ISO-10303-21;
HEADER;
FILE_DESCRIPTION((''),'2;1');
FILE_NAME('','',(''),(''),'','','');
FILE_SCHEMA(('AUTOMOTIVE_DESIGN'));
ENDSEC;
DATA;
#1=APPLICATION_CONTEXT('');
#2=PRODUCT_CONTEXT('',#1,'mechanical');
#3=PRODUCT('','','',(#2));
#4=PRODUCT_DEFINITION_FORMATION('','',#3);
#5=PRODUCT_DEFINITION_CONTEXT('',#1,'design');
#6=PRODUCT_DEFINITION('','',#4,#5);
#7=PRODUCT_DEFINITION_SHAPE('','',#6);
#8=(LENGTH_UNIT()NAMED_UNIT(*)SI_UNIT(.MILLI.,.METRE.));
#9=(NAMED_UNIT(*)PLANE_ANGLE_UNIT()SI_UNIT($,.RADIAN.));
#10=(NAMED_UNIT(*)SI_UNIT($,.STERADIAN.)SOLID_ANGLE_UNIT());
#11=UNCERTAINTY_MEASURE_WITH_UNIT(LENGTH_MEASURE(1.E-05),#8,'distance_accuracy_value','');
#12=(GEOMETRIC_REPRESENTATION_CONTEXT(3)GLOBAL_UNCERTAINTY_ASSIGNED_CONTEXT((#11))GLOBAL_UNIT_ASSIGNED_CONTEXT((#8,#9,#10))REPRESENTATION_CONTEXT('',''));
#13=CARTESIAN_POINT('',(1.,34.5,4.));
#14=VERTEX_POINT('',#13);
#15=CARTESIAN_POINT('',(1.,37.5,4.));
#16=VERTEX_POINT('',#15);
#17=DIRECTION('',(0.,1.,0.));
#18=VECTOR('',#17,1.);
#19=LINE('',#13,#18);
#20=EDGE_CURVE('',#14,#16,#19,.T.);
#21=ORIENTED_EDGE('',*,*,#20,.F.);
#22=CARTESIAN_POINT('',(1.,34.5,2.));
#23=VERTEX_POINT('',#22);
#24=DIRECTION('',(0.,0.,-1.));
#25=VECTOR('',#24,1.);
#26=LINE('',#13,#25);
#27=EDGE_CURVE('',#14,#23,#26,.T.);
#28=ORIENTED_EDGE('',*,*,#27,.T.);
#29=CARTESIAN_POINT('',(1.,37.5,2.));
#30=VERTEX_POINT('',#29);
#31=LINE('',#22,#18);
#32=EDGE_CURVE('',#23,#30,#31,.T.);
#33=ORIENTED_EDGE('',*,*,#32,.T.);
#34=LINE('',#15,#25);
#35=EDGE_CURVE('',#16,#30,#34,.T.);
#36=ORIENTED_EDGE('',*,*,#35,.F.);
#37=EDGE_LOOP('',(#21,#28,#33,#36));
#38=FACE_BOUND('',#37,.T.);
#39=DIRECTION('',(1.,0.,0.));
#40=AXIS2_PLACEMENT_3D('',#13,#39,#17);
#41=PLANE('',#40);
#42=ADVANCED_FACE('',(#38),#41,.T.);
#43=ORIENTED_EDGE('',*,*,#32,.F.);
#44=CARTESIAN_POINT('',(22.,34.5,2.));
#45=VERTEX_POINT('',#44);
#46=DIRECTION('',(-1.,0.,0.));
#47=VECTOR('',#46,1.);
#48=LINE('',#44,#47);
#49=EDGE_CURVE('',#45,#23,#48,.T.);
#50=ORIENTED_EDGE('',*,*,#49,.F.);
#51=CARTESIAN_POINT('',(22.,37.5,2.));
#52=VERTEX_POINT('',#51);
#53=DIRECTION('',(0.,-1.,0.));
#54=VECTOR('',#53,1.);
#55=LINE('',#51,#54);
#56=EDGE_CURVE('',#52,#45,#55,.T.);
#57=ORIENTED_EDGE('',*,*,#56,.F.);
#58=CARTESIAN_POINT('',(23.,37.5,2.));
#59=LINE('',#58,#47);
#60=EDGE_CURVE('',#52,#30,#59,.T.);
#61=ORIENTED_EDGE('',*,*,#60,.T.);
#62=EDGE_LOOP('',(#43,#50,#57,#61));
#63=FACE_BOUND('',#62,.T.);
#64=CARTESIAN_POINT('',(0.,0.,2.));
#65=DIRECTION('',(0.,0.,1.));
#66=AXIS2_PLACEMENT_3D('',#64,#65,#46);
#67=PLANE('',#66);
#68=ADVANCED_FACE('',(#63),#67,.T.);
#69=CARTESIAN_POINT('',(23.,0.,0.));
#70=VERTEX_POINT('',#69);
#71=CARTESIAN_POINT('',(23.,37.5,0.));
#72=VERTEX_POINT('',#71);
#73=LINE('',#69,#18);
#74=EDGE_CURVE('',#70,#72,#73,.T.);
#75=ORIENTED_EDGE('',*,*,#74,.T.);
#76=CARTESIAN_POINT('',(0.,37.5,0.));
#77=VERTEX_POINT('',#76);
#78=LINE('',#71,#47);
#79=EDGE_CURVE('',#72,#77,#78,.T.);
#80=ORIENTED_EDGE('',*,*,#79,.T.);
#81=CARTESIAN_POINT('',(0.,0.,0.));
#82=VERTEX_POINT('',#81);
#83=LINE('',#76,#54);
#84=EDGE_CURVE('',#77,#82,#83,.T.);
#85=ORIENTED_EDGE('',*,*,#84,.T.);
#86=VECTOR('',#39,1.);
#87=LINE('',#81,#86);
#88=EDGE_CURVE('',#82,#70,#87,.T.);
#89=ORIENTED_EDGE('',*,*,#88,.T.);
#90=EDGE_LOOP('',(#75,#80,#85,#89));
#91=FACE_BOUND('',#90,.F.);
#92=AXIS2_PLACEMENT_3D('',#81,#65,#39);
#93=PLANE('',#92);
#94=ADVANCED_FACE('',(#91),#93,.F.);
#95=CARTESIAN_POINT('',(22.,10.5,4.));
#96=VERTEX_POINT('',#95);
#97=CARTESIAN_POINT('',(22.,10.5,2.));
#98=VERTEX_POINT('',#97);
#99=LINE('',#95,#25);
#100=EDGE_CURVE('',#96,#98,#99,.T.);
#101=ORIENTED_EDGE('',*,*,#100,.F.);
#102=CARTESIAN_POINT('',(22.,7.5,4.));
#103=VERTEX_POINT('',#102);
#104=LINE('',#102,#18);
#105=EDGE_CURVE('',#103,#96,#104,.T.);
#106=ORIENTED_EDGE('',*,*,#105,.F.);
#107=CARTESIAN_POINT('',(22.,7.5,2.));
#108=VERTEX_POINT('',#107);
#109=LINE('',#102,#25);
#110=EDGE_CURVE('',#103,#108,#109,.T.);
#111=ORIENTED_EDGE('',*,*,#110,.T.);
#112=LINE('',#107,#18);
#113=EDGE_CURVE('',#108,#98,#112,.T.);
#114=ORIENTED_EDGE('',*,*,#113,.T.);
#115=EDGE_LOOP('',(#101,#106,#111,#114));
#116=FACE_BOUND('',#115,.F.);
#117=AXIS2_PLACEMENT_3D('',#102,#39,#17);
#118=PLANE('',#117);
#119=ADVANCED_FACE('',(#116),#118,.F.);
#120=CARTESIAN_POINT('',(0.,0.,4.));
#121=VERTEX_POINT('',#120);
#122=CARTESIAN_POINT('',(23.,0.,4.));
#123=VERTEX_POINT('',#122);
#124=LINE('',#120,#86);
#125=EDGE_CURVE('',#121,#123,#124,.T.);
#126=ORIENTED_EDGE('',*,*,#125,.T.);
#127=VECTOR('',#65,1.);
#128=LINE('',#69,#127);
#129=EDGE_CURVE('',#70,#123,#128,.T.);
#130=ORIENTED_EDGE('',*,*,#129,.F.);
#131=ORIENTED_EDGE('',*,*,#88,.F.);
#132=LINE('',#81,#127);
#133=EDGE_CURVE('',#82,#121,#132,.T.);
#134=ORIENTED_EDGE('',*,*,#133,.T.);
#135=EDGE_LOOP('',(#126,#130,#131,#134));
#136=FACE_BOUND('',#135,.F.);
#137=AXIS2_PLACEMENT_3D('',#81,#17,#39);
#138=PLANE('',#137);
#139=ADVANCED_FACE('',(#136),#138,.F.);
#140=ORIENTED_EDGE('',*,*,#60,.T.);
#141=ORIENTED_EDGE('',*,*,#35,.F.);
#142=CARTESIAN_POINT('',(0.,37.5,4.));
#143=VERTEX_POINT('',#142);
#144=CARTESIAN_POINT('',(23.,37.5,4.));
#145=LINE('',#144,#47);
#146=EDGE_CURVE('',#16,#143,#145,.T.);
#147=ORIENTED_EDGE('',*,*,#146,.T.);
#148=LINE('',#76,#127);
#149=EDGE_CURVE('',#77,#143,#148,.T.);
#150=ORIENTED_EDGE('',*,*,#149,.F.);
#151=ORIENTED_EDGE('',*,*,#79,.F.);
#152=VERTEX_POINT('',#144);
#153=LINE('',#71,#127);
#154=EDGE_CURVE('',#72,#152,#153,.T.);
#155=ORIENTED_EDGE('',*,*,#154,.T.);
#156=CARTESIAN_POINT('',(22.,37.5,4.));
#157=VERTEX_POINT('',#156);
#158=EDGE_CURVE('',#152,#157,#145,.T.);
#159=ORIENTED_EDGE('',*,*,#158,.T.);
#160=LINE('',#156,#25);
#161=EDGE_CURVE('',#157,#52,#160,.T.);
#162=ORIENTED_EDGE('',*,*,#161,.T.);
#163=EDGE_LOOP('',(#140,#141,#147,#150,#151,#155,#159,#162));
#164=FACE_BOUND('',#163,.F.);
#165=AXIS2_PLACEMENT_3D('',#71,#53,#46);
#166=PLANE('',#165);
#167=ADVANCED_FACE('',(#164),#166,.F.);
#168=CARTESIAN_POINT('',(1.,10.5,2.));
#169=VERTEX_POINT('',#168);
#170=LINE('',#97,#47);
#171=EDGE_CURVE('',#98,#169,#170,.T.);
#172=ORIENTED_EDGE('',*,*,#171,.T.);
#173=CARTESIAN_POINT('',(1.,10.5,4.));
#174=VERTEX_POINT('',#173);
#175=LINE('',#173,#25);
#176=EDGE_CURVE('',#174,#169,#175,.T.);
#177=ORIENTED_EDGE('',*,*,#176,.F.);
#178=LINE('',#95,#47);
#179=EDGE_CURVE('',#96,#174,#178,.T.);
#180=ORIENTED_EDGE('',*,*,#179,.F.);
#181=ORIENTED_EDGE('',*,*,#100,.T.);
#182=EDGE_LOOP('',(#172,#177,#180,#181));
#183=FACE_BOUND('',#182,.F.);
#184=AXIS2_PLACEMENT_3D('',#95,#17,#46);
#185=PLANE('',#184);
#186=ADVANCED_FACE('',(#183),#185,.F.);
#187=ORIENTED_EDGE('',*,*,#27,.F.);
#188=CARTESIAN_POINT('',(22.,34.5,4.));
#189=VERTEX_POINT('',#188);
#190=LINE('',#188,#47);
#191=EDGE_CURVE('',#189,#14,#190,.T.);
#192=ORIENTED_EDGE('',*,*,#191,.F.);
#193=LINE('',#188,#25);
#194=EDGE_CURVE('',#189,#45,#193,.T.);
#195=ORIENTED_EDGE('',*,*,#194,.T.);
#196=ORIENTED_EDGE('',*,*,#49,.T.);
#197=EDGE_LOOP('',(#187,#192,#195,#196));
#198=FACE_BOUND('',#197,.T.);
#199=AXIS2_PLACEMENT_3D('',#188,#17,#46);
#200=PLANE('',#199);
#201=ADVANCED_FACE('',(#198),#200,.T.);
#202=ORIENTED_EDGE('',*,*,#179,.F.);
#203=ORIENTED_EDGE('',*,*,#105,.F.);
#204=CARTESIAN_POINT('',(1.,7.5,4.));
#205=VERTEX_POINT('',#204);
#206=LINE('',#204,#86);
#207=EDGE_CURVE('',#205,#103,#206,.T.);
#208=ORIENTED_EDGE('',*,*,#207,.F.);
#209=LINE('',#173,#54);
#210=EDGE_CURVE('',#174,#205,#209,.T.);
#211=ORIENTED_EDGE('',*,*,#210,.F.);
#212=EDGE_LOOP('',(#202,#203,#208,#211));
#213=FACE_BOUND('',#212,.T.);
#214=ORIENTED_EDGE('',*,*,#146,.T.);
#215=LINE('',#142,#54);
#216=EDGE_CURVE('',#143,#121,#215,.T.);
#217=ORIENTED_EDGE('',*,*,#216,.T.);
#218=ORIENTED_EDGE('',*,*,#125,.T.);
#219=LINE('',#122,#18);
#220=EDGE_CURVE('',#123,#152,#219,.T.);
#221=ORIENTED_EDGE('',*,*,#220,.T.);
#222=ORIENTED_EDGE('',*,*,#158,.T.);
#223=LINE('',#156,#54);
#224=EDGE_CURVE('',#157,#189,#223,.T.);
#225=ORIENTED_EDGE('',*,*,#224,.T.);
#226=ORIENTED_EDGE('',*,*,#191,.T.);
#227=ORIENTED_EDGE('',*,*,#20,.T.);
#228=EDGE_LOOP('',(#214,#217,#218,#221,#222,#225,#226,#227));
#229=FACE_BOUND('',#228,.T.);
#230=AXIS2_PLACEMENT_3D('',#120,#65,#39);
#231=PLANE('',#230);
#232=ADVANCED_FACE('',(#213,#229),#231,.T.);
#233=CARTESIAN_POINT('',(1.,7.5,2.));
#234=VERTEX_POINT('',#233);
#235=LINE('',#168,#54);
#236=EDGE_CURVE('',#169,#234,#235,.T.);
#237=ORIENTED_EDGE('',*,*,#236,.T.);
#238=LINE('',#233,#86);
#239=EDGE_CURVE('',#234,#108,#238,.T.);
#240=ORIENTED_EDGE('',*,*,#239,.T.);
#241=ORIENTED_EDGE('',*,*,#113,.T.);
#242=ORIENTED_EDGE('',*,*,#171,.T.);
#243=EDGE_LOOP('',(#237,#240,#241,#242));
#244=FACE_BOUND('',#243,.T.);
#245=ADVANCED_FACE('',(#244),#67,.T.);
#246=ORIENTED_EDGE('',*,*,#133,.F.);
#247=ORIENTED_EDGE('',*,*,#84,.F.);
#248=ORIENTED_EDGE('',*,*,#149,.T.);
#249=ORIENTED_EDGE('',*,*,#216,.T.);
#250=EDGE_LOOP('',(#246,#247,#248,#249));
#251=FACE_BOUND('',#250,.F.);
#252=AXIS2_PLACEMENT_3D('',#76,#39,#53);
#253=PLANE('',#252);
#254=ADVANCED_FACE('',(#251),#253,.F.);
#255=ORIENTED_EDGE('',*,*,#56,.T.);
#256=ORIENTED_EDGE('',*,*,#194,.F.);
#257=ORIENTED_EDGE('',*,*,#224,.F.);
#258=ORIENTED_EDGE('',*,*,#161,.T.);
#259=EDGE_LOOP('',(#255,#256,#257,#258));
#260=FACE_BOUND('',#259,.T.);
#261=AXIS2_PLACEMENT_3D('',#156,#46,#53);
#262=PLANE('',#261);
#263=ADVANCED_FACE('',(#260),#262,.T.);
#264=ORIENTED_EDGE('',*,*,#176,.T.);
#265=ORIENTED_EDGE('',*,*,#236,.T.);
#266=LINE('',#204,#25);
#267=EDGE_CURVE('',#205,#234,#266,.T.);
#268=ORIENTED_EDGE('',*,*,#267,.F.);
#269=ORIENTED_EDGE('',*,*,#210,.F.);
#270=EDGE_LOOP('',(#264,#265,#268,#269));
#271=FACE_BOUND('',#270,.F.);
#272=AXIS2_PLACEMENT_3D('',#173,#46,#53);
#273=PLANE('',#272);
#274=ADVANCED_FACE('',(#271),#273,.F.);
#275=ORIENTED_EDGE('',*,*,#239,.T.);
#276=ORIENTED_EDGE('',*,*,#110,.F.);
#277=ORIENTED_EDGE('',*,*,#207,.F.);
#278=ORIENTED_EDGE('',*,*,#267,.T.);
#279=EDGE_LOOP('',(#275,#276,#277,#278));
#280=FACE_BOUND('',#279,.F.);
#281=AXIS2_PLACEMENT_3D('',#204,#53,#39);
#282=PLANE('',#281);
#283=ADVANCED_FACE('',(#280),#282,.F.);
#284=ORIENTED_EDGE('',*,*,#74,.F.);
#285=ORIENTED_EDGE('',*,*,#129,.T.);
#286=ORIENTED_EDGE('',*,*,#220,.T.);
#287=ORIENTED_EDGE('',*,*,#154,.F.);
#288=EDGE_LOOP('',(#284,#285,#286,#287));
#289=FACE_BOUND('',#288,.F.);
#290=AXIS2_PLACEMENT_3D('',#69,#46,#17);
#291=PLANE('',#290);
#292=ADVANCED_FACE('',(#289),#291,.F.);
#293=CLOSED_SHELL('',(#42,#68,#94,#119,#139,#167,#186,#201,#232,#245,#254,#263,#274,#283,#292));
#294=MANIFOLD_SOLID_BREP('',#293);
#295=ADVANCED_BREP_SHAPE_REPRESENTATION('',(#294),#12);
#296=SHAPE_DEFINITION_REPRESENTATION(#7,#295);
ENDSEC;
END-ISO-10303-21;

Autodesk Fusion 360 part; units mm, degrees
sketch "Sketch1" plane through (0, 0, 0) normal (0, 0, 1) x (1, 0, 0)
  line L0 (0, 0) -> (23, 0)
  line L1 (23, 0) -> (23, 37.5)
  line L2 (23, 37.5) -> (0, 37.5)
  line L3 (0, 37.5) -> (0, 0)
  dimension "d1" = 23
  dimension "d2" = 37.5
extrude "Extrude1" add sketch "Sketch1" along normal blind 4
sketch "Sketch2" plane through (0, 0, 4) normal (0, 0, 1) x (-1, 0, 0)
  line L0 (0, -37.5) -> (0, 0)
  line L1 (0, 0) -> (-23, 0)
  line L2 (-23, 0) -> (-23, -37.5)
  line L3 (-23, -37.5) -> (0, -37.5)
  line L4 (-1, -7.5) -> (-22, -7.5)
  line L5 (-22, -7.5) -> (-22, -10.5)
  line L6 (-22, -10.5) -> (-1, -10.5)
  line L7 (-1, -10.5) -> (-1, -7.5)
  line L8 (-1, -37.5) -> (-22, -37.5)
  line L9 (-22, -37.5) -> (-22, -34.5)
  line L10 (-22, -34.5) -> (-1, -34.5)
  line L11 (-1, -34.5) -> (-1, -37.5)
  dimension "d5" = 21
  dimension "d6" = 3
  dimension "d7" = 1
  dimension "d37" = 21
  dimension "d38" = 3
  dimension "d40" = 1
  dimension "d41" = 24
  dimension "d42" = 7.5
extrude "Extrude2" cut sketch "Sketch2" against normal blind 2 contours L3 L8 L9 L10 L11 | L4 L5 L6 L7
